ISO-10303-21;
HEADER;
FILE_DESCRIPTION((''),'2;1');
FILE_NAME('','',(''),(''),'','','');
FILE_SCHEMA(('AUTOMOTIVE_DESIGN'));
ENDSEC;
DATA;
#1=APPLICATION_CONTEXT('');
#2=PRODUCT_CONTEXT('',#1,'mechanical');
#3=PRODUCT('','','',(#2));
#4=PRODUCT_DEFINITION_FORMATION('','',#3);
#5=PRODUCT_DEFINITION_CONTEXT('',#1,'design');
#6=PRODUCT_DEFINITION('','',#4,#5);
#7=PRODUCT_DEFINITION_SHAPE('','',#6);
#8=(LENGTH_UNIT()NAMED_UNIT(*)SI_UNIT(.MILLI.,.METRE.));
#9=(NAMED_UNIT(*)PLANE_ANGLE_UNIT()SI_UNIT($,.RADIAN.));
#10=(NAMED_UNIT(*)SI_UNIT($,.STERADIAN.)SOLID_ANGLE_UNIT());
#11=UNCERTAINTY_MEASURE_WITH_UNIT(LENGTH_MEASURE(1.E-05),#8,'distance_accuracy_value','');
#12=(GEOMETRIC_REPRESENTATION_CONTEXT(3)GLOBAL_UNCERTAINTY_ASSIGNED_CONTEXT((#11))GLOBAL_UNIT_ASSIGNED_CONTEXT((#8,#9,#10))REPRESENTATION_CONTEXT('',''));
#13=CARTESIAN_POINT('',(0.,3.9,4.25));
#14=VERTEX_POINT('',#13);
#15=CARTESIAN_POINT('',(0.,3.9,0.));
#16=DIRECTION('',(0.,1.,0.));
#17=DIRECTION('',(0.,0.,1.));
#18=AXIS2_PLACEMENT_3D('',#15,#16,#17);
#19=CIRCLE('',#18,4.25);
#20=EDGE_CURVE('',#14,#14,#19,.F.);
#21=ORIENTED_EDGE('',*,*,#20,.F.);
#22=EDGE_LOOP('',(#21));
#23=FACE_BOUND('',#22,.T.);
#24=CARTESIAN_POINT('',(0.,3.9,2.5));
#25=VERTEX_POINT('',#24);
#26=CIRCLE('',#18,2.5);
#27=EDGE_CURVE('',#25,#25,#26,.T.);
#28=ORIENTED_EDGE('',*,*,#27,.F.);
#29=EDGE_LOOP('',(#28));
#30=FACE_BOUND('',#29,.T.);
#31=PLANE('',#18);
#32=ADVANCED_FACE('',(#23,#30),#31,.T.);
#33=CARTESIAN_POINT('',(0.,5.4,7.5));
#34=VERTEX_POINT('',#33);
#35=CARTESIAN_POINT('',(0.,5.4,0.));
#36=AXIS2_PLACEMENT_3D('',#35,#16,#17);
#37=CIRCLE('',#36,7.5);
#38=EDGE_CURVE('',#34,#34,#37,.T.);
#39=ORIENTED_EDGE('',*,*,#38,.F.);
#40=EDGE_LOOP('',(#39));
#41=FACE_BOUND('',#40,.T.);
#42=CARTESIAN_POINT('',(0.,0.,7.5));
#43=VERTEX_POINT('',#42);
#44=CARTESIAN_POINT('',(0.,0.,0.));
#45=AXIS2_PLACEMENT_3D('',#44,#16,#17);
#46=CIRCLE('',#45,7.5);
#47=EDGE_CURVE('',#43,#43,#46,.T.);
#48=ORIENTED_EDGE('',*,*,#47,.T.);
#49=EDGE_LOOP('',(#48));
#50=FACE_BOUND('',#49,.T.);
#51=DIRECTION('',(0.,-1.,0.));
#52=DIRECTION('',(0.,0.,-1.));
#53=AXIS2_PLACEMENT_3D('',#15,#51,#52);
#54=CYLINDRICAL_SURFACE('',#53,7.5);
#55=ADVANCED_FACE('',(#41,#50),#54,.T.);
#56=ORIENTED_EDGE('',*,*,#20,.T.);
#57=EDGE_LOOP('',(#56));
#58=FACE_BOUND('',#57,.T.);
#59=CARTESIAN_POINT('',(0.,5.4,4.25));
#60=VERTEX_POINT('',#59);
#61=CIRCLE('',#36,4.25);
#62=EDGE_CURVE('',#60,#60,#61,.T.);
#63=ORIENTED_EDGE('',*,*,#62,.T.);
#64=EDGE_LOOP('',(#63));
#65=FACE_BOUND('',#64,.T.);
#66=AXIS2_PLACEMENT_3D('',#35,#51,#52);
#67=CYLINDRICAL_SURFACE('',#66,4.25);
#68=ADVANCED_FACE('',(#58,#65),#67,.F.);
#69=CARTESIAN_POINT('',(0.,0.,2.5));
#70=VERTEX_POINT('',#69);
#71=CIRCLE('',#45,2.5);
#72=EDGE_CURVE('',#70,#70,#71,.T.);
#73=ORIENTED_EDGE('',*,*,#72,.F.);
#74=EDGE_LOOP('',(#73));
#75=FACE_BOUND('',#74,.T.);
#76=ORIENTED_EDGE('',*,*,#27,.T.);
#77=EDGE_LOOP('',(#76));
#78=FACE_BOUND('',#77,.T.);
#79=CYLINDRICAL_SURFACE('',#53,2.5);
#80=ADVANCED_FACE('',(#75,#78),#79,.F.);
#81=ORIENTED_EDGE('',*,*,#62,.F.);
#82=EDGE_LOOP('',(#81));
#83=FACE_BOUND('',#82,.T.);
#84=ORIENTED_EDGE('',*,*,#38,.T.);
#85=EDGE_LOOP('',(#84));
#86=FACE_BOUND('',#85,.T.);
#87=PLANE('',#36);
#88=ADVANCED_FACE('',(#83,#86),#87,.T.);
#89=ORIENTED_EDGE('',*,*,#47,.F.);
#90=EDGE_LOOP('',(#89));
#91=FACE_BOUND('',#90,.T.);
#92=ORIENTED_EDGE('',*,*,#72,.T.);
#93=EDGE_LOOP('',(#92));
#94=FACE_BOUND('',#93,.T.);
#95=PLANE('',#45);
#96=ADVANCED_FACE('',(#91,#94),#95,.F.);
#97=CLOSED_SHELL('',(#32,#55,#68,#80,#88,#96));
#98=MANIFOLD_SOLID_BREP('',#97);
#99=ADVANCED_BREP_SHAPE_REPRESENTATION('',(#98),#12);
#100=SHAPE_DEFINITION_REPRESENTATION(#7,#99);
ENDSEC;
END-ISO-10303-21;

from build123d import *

# Parameters (mm, degrees)
SKETCH1_R           = 7.5
SKETCH1_R_2         = 2.5
BOSS_EXTRUDE1_DEPTH = 3.9
SKETCH2_R           = 7.5
SKETCH2_R_2         = 4.25
BOSS_EXTRUDE2_DEPTH = 1.5


with BuildPart() as part:
    # Sketch1 → Boss-Extrude1 (new body)
    with BuildSketch(Plane(origin=(0, 0, 0), x_dir=(1, 0, 0), z_dir=(0, 1, 0))):
        Circle(SKETCH1_R)
        Circle(SKETCH1_R_2, mode=Mode.SUBTRACT)
    extrude(amount=BOSS_EXTRUDE1_DEPTH)

    # Sketch2 → Boss-Extrude2 (add)
    with BuildSketch(Plane(origin=(0, 3.9, 0), x_dir=(1, 0, 0), z_dir=(0, 1, 0))):
        Circle(SKETCH2_R)
        Circle(SKETCH2_R_2, mode=Mode.SUBTRACT)
    extrude(amount=BOSS_EXTRUDE2_DEPTH)


solid = part.part
